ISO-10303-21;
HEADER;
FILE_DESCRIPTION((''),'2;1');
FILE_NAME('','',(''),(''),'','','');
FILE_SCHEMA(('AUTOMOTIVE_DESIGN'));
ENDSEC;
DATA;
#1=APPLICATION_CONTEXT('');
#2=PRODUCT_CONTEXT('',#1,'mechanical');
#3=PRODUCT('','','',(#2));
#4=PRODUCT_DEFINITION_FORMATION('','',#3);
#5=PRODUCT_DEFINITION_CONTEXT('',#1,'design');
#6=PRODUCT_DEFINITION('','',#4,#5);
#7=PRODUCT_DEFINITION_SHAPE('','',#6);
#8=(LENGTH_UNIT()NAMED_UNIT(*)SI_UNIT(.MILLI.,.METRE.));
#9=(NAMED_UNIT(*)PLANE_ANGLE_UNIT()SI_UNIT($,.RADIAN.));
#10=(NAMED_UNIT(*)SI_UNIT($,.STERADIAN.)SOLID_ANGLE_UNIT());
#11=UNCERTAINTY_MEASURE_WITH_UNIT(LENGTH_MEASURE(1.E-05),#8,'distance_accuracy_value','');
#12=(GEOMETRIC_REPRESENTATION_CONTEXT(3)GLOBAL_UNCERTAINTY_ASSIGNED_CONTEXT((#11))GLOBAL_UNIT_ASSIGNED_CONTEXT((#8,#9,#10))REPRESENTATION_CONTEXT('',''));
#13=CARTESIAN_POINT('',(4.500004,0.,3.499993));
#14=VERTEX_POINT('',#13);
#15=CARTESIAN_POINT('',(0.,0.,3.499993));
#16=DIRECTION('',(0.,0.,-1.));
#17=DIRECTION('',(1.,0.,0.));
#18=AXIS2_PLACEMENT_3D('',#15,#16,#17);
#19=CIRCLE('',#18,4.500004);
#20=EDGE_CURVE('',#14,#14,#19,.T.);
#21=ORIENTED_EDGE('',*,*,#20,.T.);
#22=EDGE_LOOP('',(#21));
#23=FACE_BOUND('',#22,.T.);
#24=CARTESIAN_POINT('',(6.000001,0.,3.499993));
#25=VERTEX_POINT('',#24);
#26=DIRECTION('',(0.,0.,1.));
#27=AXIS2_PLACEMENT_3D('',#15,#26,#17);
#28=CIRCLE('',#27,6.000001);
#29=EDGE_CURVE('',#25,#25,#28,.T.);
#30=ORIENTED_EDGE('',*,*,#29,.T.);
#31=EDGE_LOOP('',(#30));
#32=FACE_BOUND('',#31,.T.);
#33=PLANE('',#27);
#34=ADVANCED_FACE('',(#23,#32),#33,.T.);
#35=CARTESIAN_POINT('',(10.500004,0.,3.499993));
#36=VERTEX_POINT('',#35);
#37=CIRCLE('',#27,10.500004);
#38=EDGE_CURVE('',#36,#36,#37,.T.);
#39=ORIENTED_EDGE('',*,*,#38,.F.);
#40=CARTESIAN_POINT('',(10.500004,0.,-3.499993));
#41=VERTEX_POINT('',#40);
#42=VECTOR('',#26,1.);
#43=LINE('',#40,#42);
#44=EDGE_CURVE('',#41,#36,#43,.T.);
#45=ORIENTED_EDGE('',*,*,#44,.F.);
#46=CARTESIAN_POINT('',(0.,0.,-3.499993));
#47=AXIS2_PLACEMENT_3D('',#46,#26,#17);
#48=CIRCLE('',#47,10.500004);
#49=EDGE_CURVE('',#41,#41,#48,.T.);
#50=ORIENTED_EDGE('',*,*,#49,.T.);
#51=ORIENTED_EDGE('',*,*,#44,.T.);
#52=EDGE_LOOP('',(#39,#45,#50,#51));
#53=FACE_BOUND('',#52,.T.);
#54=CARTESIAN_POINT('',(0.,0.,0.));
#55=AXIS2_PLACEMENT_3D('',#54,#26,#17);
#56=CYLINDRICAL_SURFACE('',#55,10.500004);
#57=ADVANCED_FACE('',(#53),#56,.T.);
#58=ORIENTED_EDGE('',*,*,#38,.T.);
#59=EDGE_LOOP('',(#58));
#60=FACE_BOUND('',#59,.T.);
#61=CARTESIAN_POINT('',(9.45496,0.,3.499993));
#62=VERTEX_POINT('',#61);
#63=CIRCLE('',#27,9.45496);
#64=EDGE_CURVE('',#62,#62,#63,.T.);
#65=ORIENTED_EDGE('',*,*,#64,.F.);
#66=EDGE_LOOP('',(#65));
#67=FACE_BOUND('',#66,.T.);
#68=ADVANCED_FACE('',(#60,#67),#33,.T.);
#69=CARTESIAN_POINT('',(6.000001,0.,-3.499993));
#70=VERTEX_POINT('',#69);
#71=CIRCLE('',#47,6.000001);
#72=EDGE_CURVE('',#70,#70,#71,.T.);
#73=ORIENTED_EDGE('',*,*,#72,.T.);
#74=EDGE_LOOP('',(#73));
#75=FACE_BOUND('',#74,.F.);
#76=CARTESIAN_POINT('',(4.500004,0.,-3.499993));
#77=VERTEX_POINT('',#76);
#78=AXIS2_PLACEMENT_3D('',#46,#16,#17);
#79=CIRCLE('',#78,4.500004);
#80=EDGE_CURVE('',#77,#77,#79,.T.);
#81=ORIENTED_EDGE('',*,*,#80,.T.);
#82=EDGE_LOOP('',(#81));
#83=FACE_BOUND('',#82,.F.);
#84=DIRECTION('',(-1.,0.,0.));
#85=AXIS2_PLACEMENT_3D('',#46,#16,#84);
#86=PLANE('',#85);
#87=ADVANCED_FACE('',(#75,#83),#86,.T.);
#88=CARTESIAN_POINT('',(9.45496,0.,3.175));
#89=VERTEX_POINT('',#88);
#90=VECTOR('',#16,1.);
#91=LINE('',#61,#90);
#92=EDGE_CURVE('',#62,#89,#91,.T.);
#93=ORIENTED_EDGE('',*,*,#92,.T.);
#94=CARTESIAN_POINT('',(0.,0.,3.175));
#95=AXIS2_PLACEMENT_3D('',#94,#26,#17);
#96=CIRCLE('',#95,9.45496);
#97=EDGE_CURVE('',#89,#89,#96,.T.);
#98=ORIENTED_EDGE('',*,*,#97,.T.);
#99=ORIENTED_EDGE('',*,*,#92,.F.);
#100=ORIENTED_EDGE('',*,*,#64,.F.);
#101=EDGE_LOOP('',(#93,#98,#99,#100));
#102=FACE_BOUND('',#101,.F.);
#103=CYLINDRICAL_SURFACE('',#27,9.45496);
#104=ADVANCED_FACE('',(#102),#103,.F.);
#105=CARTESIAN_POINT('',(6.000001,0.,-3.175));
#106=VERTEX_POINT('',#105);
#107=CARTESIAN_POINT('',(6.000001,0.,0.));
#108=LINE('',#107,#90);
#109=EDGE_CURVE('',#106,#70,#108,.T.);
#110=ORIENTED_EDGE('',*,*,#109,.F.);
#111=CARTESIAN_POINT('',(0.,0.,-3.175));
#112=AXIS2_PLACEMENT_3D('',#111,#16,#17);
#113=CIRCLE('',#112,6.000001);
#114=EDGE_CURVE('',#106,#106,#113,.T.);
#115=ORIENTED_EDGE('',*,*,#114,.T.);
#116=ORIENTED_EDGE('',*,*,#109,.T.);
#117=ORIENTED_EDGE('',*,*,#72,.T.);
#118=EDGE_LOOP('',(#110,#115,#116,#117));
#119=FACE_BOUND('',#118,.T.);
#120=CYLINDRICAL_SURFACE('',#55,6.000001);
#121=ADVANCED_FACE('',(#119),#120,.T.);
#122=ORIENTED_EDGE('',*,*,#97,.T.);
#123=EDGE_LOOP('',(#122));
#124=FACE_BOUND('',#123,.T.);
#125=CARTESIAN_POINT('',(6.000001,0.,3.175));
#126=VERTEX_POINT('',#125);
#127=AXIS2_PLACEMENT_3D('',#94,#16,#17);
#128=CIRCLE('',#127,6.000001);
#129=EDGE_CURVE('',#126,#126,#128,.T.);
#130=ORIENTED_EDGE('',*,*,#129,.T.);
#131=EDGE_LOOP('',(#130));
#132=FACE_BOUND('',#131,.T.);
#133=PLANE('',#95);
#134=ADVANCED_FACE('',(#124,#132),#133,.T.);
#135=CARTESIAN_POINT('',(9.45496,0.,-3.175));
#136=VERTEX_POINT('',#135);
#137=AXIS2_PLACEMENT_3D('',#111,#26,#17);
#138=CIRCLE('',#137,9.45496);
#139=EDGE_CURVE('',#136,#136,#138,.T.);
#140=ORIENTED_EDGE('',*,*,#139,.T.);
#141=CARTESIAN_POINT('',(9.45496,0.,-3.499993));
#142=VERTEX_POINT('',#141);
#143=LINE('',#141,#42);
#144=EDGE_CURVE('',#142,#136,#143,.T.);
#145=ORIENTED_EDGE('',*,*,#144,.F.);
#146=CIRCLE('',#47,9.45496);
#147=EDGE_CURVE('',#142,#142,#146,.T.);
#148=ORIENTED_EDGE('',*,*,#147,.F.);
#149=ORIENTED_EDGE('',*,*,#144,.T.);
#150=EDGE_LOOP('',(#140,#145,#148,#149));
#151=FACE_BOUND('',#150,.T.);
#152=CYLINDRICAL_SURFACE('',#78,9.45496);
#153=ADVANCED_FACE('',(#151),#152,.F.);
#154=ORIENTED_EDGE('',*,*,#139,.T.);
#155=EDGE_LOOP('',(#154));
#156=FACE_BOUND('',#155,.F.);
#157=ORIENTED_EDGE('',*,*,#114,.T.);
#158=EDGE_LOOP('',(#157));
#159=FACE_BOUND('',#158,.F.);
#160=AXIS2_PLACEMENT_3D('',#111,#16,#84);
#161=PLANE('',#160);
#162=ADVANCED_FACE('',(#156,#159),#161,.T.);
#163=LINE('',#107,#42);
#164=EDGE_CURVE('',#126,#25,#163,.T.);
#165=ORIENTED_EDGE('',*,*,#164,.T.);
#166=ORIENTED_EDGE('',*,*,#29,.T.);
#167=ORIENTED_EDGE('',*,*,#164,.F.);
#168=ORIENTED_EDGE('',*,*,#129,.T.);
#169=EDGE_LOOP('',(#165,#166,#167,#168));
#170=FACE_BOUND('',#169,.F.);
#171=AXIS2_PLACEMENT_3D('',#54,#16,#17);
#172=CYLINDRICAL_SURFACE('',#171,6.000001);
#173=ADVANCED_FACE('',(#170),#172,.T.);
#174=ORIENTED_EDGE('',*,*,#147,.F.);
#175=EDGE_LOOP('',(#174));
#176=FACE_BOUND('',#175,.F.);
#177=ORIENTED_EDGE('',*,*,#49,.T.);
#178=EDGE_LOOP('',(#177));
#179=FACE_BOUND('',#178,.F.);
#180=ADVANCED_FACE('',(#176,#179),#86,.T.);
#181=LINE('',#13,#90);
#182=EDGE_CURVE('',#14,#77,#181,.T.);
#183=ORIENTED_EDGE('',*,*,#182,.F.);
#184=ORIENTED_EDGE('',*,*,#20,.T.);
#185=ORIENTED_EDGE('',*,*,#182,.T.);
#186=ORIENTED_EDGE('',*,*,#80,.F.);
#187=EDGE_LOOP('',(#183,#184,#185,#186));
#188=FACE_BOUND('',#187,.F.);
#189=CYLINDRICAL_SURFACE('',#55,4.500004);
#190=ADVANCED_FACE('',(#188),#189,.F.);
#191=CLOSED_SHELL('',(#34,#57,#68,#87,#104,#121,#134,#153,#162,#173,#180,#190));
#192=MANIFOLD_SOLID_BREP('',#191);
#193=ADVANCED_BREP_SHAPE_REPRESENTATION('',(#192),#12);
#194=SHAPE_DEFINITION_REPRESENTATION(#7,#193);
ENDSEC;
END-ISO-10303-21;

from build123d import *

# Parameters (mm, degrees)
F0_R      = 10.500004
F1_DEPTH  = 3.499993
F2_R      = 9.45496
F3_DEPTH  = 25.4
F4_R      = 9.45496
F5_DEPTH  = 3.175
F6_R      = 6.000001
F7_DEPTH  = 3.499993
F8_T      = -1.9558
F9_R      = 4.500004
F10_DEPTH = 2514.6


with BuildPart() as f1:
    # F0 (on Top) → F1 (new body)
    with BuildSketch(Plane.XY):
        Circle(F0_R)
    extrude(amount=F1_DEPTH)

    # F2 (on face) → F3 (cut)
    with BuildSketch(Plane.XY.offset(3.499993)):
        Circle(F2_R)
    extrude(amount=-F3_DEPTH, mode=Mode.SUBTRACT)

    # F4 (on Top) → F5 (join)
    with BuildSketch(Plane.XY):
        Circle(F4_R)
    extrude(amount=F5_DEPTH)

    # F6 (on Top) → F7 (join)
    with BuildSketch(Plane.XY):
        Circle(F6_R)
    extrude(amount=F7_DEPTH)

    # F8
    f8_openings = [f1.faces().sort_by_distance(p)[0] for p in [
        (0, 0, 3.499993),
    ]]
    offset(amount=F8_T, openings=f8_openings)

    # F9 (on Top) → F10 (cut)
    with BuildSketch(Plane.XY):
        Circle(F9_R)
    extrude(amount=F10_DEPTH, mode=Mode.SUBTRACT)

    # F11: F1 across plane


with BuildPart() as f1_1:
    add(f1.part)
    add(f1.part.mirror(Plane.XY))


solid = f1_1.part
